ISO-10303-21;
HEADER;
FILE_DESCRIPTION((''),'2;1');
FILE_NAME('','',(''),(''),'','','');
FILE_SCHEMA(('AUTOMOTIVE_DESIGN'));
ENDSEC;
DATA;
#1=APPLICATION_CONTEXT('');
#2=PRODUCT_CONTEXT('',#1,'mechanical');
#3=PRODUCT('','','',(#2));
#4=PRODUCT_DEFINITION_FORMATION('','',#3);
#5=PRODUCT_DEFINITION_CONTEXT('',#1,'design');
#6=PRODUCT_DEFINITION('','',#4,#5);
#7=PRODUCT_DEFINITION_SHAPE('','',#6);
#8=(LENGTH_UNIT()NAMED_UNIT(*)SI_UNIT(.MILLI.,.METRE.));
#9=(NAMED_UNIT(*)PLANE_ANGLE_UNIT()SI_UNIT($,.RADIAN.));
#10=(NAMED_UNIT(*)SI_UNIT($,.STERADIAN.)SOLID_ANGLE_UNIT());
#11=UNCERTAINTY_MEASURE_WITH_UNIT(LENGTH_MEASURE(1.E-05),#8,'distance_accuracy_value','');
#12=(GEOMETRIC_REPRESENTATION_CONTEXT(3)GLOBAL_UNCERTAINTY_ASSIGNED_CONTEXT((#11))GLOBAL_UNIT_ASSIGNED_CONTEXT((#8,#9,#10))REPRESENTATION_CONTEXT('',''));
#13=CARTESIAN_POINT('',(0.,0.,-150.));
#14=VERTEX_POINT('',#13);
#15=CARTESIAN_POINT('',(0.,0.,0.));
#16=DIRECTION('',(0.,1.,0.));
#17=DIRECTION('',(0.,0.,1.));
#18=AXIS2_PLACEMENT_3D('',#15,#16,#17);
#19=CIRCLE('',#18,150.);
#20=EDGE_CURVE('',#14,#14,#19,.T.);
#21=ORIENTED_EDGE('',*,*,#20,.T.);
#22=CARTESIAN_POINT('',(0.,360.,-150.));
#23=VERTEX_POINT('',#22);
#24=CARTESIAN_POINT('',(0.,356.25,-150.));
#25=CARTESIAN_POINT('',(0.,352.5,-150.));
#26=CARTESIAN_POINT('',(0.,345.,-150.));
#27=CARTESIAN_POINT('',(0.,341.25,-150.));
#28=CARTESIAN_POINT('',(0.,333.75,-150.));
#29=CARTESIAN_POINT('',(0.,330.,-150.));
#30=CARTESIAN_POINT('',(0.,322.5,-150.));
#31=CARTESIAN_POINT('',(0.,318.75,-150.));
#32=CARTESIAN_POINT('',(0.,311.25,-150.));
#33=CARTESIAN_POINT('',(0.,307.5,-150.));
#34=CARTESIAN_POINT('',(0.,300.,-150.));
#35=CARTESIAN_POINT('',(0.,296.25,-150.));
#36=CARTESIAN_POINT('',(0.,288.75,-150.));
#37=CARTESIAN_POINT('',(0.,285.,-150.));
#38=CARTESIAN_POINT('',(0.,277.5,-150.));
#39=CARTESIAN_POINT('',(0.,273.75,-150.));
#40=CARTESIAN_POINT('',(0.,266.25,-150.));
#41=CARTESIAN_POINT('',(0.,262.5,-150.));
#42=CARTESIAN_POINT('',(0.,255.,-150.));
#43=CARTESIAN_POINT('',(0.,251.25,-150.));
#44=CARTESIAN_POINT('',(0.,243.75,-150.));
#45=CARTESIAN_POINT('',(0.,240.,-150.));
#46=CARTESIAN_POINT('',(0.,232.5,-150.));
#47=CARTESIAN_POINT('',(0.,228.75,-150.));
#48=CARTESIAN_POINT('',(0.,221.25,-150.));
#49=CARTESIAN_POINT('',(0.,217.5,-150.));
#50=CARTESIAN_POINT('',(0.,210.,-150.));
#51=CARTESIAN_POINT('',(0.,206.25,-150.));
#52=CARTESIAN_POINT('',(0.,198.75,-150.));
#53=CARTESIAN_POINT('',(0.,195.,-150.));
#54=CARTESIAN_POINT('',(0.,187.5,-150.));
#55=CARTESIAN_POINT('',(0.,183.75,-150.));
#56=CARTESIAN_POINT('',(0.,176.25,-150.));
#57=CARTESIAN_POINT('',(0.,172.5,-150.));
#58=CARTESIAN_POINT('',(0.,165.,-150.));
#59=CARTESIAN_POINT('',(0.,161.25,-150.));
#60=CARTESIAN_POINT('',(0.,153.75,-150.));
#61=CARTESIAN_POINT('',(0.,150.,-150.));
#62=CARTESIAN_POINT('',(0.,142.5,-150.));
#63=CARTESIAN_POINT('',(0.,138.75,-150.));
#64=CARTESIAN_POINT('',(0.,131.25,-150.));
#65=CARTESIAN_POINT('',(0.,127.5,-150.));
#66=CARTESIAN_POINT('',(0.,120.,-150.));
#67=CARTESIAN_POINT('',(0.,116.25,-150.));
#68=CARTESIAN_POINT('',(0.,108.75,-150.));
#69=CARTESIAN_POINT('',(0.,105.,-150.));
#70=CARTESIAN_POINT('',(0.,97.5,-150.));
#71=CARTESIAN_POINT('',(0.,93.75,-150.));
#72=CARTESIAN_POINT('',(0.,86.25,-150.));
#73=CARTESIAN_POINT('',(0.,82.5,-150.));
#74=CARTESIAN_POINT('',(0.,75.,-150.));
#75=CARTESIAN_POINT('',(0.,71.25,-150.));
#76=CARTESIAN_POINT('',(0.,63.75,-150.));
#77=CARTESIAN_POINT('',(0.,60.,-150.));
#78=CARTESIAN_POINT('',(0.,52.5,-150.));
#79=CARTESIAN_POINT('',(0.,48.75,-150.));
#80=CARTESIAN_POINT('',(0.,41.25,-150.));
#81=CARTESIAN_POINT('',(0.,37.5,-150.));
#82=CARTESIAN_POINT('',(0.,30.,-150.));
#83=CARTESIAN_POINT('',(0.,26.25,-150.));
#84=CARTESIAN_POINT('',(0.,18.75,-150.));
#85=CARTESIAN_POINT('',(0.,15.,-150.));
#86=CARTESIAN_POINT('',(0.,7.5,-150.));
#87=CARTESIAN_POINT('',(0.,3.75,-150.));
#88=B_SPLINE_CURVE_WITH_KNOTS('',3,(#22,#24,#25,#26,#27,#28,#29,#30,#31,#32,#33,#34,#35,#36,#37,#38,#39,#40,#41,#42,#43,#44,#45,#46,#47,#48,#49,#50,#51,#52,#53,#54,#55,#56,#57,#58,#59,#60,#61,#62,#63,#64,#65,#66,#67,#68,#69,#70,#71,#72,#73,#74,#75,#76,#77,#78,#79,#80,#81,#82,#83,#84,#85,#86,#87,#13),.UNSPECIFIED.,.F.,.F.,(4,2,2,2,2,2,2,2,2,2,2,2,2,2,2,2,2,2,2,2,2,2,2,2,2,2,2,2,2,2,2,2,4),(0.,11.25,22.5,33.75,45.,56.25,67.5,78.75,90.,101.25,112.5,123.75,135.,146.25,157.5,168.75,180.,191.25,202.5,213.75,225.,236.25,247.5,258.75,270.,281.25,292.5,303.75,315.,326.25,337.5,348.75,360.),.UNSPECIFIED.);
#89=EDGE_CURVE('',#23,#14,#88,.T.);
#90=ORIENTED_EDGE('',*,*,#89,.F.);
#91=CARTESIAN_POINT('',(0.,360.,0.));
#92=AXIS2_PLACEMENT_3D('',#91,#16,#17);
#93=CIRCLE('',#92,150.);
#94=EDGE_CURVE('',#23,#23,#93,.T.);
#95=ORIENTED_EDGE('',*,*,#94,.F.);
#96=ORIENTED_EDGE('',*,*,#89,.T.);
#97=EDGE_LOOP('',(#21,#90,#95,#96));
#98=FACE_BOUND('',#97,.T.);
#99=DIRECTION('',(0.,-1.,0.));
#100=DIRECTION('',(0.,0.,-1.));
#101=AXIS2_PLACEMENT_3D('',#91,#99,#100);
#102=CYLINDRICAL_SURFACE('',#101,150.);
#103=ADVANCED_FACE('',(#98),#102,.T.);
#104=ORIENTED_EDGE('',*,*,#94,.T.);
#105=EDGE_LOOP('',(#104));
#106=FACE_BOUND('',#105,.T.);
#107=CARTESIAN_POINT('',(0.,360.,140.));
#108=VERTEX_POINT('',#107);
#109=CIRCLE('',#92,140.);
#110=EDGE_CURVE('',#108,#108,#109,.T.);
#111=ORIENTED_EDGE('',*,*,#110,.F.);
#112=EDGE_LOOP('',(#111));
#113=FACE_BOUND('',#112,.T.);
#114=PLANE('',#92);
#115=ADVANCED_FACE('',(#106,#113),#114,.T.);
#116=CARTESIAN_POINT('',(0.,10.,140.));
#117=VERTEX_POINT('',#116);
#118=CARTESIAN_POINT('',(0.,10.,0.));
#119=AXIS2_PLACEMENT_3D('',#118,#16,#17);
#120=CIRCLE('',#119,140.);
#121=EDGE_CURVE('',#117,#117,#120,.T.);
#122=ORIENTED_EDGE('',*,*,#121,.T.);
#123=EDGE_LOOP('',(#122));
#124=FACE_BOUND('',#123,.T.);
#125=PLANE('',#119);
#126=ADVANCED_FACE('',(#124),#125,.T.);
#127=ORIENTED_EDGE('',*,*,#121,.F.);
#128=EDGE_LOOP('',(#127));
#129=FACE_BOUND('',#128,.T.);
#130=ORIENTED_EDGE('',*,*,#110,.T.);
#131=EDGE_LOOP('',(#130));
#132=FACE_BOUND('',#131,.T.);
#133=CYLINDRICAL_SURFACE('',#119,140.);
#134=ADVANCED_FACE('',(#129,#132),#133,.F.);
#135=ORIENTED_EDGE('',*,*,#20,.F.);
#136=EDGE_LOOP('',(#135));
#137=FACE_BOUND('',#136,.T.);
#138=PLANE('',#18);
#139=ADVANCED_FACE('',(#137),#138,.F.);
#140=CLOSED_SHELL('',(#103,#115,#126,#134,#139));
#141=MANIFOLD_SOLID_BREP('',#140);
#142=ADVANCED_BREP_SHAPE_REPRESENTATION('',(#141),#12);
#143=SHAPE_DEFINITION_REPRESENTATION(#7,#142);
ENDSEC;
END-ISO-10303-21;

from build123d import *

# Parameters (mm, degrees)
CROQUIS1_R              = 150
SALIENTE_EXTRUIR1_DEPTH = 360
CROQUIS2_R              = 140
CORTAR_EXTRUIR1_DEPTH   = 350


with BuildPart() as part:
    # Croquis1 → Saliente-Extruir1 (new body)
    with BuildSketch(Plane(origin=(0, 0, 0), x_dir=(1, 0, 0), z_dir=(0, 1, 0))):
        with Locations(Location((0, 0, 0), (0, 0, 90))):
            Circle(CROQUIS1_R)
    extrude(amount=SALIENTE_EXTRUIR1_DEPTH)

    # Croquis2 → Cortar-Extruir1 (cut)
    with BuildSketch(Plane(origin=(0, 360, 0), x_dir=(1, 0, 0), z_dir=(0, 1, 0))):
        with Locations(Location((0, 0, 0), (0, 0, 270))):
            Circle(CROQUIS2_R)
    extrude(amount=-CORTAR_EXTRUIR1_DEPTH, mode=Mode.SUBTRACT)


solid = part.part
